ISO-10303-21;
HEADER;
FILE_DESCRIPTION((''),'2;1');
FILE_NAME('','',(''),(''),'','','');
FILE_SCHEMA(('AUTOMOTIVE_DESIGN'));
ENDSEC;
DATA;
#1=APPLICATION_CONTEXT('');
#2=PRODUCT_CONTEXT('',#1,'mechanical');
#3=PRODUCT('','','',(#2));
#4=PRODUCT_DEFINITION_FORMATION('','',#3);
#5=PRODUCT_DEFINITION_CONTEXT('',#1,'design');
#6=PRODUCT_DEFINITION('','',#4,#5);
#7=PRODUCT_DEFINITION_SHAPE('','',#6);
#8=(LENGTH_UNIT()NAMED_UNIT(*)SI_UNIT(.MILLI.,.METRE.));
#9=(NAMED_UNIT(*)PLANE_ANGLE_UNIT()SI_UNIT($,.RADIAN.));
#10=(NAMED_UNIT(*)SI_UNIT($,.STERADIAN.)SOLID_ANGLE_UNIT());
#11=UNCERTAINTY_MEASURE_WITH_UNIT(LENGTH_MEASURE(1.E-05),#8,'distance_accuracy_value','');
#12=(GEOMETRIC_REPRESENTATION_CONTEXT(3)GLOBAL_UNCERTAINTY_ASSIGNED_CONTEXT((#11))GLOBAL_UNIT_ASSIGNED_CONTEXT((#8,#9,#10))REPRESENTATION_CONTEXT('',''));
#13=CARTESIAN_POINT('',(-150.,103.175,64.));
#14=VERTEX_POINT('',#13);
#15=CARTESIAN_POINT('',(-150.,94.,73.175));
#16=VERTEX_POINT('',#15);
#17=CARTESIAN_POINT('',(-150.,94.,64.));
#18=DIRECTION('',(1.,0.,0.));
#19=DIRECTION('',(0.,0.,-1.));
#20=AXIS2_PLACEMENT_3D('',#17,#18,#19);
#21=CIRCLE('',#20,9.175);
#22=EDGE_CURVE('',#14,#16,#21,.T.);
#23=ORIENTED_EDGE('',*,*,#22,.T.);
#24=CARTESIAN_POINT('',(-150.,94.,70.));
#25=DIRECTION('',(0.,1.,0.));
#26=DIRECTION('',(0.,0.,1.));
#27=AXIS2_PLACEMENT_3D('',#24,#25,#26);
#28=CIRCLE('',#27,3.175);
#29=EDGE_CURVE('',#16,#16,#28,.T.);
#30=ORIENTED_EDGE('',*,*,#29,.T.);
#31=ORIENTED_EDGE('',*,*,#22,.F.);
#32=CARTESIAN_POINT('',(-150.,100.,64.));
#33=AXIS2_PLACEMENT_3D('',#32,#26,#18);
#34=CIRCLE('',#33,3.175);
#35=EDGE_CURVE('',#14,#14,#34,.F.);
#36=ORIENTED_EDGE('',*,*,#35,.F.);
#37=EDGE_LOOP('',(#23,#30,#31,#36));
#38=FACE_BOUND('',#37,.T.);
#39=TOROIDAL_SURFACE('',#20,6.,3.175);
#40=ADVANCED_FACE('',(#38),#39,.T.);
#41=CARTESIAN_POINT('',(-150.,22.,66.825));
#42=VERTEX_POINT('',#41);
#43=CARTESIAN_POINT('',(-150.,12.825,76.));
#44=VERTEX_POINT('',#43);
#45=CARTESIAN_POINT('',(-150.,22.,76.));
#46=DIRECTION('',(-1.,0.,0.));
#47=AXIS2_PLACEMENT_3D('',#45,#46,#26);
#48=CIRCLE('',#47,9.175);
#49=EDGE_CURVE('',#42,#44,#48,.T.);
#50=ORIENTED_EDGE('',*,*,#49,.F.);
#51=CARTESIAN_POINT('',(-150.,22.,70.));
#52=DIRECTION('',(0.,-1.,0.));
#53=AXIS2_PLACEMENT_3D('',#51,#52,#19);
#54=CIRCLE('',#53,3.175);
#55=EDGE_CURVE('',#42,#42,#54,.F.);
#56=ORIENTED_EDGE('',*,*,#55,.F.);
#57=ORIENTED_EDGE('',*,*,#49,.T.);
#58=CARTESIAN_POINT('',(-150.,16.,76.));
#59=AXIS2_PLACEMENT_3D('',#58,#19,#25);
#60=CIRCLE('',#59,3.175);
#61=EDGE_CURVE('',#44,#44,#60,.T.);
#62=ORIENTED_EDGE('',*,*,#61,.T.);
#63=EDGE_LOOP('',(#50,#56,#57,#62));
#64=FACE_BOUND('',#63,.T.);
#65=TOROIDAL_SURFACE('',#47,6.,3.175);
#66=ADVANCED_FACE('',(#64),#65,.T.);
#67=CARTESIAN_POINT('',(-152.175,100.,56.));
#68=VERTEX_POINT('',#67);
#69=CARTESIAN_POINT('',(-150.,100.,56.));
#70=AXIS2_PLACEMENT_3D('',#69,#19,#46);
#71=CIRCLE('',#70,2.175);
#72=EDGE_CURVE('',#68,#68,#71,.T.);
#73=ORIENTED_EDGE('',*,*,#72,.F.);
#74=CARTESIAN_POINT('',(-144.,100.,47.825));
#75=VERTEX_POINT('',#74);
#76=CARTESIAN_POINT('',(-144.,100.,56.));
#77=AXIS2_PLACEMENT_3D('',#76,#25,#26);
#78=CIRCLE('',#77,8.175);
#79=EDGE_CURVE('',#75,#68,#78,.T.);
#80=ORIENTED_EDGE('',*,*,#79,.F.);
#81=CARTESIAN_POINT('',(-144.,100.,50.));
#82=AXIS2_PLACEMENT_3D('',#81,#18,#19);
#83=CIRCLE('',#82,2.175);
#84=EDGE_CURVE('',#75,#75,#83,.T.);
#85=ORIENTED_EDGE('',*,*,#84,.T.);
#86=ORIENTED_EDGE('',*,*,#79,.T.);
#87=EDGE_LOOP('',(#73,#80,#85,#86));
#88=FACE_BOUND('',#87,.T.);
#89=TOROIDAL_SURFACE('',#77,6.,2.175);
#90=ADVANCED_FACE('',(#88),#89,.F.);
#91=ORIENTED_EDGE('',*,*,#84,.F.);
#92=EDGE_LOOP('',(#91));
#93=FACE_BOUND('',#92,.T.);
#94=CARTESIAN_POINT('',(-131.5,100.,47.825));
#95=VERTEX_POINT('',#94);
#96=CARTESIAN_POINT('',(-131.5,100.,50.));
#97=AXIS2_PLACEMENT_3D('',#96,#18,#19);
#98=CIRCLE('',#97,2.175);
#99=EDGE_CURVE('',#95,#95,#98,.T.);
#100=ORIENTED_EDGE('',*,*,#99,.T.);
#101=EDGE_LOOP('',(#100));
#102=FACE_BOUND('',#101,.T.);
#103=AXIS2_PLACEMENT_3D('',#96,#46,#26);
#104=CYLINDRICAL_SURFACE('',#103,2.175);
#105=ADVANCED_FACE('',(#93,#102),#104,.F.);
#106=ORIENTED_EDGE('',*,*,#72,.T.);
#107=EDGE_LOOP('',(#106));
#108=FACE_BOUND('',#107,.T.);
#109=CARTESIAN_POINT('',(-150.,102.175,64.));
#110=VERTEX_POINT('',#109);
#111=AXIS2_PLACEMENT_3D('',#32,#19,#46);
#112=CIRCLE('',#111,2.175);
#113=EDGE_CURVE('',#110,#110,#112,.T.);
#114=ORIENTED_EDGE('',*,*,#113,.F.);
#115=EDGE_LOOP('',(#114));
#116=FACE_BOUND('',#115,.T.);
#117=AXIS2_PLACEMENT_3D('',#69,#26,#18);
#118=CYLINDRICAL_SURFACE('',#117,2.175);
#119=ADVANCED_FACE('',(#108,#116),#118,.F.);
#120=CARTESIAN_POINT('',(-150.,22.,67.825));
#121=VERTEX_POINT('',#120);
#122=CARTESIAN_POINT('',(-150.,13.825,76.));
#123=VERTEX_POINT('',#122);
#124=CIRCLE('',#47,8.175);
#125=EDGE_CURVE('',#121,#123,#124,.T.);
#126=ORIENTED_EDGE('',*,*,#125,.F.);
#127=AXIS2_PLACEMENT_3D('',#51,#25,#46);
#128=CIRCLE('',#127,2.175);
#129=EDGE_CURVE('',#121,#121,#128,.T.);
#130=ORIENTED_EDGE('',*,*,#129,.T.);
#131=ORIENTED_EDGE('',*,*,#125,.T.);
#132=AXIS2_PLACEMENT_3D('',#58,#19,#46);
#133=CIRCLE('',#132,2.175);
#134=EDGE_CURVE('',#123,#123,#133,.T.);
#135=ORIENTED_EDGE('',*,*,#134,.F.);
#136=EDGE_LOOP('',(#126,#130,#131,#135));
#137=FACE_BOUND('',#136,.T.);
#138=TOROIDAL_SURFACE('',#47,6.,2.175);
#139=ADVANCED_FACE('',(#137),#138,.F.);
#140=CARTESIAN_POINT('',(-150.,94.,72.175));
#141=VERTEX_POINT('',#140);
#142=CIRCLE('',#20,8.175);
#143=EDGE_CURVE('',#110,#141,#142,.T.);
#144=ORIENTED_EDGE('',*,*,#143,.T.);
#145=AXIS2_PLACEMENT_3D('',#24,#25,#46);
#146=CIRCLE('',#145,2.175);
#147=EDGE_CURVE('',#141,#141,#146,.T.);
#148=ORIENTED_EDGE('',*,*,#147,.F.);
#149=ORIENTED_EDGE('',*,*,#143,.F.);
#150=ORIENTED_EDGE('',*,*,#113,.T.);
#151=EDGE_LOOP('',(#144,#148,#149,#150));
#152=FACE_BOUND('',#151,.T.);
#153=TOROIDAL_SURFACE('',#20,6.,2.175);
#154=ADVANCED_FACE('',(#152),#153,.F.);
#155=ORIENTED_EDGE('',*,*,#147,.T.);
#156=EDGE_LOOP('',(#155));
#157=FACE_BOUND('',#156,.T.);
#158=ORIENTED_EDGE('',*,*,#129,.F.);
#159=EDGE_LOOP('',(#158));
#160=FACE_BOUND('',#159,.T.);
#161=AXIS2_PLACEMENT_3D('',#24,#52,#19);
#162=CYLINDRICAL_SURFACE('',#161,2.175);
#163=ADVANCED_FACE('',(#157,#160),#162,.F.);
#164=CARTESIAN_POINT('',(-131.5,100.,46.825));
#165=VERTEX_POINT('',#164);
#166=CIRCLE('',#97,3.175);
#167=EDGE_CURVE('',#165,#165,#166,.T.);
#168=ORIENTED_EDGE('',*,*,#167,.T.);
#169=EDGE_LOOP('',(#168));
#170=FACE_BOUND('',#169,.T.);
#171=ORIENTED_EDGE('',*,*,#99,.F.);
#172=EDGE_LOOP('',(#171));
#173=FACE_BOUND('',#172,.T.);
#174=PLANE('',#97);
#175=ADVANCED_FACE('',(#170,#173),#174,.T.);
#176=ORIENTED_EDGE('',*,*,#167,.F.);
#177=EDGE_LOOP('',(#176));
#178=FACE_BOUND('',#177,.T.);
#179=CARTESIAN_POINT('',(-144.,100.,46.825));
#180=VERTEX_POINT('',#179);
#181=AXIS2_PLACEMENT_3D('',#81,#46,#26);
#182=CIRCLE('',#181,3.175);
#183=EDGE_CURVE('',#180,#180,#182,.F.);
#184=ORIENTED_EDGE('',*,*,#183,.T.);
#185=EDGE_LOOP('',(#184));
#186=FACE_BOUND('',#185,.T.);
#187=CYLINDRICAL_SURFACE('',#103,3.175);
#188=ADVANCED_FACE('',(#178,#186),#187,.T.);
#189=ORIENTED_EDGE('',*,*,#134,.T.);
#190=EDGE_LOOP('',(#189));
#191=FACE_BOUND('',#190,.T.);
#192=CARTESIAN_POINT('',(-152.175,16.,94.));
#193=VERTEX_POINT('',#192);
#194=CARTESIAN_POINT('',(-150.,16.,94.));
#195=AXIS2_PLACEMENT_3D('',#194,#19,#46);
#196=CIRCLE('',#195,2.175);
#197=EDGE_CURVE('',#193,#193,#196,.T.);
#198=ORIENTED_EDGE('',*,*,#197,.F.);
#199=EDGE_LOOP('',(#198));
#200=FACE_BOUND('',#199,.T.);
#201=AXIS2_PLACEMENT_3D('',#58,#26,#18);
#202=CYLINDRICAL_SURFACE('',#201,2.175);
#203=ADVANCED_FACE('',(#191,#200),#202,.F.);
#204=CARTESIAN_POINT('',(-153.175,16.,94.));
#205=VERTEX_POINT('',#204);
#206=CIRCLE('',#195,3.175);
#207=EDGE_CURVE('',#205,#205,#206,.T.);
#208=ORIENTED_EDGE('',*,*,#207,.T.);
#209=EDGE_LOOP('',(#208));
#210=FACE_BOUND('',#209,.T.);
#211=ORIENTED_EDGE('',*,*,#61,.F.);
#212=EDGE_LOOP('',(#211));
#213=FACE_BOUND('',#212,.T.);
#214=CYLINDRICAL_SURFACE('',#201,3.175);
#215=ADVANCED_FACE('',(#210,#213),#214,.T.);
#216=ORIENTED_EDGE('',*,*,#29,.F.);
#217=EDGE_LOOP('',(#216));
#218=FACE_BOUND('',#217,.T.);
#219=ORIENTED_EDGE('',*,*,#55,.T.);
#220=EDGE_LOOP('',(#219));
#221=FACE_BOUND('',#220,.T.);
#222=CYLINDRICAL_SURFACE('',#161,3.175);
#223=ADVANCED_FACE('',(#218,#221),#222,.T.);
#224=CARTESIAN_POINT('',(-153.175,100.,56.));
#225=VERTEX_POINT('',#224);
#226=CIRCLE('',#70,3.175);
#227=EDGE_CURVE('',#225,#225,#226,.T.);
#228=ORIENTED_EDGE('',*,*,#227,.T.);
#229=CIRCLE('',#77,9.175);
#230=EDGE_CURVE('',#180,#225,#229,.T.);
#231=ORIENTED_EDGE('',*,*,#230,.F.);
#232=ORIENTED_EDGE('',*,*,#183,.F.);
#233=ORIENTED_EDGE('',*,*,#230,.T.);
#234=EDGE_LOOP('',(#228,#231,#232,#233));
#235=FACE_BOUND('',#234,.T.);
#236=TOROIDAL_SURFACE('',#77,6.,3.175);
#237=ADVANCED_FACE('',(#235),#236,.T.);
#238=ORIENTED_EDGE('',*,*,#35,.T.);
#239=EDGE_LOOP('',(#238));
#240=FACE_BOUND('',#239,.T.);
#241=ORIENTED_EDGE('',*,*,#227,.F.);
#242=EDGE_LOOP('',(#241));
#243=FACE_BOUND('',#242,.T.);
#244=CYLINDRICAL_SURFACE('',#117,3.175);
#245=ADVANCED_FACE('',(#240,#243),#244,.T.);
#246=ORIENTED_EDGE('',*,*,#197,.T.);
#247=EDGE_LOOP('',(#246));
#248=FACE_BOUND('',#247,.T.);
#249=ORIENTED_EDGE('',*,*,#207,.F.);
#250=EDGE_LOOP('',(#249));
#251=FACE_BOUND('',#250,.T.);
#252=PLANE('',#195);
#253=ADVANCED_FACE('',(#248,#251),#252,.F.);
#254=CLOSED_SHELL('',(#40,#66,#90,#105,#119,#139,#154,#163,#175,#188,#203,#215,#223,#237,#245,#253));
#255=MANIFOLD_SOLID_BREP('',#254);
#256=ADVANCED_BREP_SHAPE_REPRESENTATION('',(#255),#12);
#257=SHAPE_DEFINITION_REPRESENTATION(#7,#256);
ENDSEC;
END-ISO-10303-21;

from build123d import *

# Parameters (mm, degrees)
TUBE_PROFILE_R   = 3.175
TUBE_PROFILE_R_2 = 2.175


with BuildPart() as part:
    # Tube: sweep along a curve in space
    with BuildLine() as tube_path:
        Line((-131.5, 100, 50), (-144, 100, 50))
        ThreePointArc((-150, 100, 56), (-148.242640687, 100, 51.757359313), (-144, 100, 50))
        Line((-150, 100, 56), (-150, 100, 64))
        ThreePointArc((-150, 94, 70), (-150, 98.242640687, 68.242640687), (-150, 100, 64))
        Line((-150, 94, 70), (-150, 22, 70))
        ThreePointArc((-150, 16, 76), (-150, 17.757359313, 71.757359313), (-150, 22, 70))
        Line((-150, 16, 76), (-150, 16, 94))
    # Tube profile (on start of the path) → Tube (sweep)
    with BuildSketch(Plane(origin=(-131.5, 100, 50), x_dir=(0, 0, -1), z_dir=(-1, 0, 0))):
        Circle(TUBE_PROFILE_R)
        Circle(TUBE_PROFILE_R_2, mode=Mode.SUBTRACT)
    sweep(path=tube_path.line)


solid = part.part
